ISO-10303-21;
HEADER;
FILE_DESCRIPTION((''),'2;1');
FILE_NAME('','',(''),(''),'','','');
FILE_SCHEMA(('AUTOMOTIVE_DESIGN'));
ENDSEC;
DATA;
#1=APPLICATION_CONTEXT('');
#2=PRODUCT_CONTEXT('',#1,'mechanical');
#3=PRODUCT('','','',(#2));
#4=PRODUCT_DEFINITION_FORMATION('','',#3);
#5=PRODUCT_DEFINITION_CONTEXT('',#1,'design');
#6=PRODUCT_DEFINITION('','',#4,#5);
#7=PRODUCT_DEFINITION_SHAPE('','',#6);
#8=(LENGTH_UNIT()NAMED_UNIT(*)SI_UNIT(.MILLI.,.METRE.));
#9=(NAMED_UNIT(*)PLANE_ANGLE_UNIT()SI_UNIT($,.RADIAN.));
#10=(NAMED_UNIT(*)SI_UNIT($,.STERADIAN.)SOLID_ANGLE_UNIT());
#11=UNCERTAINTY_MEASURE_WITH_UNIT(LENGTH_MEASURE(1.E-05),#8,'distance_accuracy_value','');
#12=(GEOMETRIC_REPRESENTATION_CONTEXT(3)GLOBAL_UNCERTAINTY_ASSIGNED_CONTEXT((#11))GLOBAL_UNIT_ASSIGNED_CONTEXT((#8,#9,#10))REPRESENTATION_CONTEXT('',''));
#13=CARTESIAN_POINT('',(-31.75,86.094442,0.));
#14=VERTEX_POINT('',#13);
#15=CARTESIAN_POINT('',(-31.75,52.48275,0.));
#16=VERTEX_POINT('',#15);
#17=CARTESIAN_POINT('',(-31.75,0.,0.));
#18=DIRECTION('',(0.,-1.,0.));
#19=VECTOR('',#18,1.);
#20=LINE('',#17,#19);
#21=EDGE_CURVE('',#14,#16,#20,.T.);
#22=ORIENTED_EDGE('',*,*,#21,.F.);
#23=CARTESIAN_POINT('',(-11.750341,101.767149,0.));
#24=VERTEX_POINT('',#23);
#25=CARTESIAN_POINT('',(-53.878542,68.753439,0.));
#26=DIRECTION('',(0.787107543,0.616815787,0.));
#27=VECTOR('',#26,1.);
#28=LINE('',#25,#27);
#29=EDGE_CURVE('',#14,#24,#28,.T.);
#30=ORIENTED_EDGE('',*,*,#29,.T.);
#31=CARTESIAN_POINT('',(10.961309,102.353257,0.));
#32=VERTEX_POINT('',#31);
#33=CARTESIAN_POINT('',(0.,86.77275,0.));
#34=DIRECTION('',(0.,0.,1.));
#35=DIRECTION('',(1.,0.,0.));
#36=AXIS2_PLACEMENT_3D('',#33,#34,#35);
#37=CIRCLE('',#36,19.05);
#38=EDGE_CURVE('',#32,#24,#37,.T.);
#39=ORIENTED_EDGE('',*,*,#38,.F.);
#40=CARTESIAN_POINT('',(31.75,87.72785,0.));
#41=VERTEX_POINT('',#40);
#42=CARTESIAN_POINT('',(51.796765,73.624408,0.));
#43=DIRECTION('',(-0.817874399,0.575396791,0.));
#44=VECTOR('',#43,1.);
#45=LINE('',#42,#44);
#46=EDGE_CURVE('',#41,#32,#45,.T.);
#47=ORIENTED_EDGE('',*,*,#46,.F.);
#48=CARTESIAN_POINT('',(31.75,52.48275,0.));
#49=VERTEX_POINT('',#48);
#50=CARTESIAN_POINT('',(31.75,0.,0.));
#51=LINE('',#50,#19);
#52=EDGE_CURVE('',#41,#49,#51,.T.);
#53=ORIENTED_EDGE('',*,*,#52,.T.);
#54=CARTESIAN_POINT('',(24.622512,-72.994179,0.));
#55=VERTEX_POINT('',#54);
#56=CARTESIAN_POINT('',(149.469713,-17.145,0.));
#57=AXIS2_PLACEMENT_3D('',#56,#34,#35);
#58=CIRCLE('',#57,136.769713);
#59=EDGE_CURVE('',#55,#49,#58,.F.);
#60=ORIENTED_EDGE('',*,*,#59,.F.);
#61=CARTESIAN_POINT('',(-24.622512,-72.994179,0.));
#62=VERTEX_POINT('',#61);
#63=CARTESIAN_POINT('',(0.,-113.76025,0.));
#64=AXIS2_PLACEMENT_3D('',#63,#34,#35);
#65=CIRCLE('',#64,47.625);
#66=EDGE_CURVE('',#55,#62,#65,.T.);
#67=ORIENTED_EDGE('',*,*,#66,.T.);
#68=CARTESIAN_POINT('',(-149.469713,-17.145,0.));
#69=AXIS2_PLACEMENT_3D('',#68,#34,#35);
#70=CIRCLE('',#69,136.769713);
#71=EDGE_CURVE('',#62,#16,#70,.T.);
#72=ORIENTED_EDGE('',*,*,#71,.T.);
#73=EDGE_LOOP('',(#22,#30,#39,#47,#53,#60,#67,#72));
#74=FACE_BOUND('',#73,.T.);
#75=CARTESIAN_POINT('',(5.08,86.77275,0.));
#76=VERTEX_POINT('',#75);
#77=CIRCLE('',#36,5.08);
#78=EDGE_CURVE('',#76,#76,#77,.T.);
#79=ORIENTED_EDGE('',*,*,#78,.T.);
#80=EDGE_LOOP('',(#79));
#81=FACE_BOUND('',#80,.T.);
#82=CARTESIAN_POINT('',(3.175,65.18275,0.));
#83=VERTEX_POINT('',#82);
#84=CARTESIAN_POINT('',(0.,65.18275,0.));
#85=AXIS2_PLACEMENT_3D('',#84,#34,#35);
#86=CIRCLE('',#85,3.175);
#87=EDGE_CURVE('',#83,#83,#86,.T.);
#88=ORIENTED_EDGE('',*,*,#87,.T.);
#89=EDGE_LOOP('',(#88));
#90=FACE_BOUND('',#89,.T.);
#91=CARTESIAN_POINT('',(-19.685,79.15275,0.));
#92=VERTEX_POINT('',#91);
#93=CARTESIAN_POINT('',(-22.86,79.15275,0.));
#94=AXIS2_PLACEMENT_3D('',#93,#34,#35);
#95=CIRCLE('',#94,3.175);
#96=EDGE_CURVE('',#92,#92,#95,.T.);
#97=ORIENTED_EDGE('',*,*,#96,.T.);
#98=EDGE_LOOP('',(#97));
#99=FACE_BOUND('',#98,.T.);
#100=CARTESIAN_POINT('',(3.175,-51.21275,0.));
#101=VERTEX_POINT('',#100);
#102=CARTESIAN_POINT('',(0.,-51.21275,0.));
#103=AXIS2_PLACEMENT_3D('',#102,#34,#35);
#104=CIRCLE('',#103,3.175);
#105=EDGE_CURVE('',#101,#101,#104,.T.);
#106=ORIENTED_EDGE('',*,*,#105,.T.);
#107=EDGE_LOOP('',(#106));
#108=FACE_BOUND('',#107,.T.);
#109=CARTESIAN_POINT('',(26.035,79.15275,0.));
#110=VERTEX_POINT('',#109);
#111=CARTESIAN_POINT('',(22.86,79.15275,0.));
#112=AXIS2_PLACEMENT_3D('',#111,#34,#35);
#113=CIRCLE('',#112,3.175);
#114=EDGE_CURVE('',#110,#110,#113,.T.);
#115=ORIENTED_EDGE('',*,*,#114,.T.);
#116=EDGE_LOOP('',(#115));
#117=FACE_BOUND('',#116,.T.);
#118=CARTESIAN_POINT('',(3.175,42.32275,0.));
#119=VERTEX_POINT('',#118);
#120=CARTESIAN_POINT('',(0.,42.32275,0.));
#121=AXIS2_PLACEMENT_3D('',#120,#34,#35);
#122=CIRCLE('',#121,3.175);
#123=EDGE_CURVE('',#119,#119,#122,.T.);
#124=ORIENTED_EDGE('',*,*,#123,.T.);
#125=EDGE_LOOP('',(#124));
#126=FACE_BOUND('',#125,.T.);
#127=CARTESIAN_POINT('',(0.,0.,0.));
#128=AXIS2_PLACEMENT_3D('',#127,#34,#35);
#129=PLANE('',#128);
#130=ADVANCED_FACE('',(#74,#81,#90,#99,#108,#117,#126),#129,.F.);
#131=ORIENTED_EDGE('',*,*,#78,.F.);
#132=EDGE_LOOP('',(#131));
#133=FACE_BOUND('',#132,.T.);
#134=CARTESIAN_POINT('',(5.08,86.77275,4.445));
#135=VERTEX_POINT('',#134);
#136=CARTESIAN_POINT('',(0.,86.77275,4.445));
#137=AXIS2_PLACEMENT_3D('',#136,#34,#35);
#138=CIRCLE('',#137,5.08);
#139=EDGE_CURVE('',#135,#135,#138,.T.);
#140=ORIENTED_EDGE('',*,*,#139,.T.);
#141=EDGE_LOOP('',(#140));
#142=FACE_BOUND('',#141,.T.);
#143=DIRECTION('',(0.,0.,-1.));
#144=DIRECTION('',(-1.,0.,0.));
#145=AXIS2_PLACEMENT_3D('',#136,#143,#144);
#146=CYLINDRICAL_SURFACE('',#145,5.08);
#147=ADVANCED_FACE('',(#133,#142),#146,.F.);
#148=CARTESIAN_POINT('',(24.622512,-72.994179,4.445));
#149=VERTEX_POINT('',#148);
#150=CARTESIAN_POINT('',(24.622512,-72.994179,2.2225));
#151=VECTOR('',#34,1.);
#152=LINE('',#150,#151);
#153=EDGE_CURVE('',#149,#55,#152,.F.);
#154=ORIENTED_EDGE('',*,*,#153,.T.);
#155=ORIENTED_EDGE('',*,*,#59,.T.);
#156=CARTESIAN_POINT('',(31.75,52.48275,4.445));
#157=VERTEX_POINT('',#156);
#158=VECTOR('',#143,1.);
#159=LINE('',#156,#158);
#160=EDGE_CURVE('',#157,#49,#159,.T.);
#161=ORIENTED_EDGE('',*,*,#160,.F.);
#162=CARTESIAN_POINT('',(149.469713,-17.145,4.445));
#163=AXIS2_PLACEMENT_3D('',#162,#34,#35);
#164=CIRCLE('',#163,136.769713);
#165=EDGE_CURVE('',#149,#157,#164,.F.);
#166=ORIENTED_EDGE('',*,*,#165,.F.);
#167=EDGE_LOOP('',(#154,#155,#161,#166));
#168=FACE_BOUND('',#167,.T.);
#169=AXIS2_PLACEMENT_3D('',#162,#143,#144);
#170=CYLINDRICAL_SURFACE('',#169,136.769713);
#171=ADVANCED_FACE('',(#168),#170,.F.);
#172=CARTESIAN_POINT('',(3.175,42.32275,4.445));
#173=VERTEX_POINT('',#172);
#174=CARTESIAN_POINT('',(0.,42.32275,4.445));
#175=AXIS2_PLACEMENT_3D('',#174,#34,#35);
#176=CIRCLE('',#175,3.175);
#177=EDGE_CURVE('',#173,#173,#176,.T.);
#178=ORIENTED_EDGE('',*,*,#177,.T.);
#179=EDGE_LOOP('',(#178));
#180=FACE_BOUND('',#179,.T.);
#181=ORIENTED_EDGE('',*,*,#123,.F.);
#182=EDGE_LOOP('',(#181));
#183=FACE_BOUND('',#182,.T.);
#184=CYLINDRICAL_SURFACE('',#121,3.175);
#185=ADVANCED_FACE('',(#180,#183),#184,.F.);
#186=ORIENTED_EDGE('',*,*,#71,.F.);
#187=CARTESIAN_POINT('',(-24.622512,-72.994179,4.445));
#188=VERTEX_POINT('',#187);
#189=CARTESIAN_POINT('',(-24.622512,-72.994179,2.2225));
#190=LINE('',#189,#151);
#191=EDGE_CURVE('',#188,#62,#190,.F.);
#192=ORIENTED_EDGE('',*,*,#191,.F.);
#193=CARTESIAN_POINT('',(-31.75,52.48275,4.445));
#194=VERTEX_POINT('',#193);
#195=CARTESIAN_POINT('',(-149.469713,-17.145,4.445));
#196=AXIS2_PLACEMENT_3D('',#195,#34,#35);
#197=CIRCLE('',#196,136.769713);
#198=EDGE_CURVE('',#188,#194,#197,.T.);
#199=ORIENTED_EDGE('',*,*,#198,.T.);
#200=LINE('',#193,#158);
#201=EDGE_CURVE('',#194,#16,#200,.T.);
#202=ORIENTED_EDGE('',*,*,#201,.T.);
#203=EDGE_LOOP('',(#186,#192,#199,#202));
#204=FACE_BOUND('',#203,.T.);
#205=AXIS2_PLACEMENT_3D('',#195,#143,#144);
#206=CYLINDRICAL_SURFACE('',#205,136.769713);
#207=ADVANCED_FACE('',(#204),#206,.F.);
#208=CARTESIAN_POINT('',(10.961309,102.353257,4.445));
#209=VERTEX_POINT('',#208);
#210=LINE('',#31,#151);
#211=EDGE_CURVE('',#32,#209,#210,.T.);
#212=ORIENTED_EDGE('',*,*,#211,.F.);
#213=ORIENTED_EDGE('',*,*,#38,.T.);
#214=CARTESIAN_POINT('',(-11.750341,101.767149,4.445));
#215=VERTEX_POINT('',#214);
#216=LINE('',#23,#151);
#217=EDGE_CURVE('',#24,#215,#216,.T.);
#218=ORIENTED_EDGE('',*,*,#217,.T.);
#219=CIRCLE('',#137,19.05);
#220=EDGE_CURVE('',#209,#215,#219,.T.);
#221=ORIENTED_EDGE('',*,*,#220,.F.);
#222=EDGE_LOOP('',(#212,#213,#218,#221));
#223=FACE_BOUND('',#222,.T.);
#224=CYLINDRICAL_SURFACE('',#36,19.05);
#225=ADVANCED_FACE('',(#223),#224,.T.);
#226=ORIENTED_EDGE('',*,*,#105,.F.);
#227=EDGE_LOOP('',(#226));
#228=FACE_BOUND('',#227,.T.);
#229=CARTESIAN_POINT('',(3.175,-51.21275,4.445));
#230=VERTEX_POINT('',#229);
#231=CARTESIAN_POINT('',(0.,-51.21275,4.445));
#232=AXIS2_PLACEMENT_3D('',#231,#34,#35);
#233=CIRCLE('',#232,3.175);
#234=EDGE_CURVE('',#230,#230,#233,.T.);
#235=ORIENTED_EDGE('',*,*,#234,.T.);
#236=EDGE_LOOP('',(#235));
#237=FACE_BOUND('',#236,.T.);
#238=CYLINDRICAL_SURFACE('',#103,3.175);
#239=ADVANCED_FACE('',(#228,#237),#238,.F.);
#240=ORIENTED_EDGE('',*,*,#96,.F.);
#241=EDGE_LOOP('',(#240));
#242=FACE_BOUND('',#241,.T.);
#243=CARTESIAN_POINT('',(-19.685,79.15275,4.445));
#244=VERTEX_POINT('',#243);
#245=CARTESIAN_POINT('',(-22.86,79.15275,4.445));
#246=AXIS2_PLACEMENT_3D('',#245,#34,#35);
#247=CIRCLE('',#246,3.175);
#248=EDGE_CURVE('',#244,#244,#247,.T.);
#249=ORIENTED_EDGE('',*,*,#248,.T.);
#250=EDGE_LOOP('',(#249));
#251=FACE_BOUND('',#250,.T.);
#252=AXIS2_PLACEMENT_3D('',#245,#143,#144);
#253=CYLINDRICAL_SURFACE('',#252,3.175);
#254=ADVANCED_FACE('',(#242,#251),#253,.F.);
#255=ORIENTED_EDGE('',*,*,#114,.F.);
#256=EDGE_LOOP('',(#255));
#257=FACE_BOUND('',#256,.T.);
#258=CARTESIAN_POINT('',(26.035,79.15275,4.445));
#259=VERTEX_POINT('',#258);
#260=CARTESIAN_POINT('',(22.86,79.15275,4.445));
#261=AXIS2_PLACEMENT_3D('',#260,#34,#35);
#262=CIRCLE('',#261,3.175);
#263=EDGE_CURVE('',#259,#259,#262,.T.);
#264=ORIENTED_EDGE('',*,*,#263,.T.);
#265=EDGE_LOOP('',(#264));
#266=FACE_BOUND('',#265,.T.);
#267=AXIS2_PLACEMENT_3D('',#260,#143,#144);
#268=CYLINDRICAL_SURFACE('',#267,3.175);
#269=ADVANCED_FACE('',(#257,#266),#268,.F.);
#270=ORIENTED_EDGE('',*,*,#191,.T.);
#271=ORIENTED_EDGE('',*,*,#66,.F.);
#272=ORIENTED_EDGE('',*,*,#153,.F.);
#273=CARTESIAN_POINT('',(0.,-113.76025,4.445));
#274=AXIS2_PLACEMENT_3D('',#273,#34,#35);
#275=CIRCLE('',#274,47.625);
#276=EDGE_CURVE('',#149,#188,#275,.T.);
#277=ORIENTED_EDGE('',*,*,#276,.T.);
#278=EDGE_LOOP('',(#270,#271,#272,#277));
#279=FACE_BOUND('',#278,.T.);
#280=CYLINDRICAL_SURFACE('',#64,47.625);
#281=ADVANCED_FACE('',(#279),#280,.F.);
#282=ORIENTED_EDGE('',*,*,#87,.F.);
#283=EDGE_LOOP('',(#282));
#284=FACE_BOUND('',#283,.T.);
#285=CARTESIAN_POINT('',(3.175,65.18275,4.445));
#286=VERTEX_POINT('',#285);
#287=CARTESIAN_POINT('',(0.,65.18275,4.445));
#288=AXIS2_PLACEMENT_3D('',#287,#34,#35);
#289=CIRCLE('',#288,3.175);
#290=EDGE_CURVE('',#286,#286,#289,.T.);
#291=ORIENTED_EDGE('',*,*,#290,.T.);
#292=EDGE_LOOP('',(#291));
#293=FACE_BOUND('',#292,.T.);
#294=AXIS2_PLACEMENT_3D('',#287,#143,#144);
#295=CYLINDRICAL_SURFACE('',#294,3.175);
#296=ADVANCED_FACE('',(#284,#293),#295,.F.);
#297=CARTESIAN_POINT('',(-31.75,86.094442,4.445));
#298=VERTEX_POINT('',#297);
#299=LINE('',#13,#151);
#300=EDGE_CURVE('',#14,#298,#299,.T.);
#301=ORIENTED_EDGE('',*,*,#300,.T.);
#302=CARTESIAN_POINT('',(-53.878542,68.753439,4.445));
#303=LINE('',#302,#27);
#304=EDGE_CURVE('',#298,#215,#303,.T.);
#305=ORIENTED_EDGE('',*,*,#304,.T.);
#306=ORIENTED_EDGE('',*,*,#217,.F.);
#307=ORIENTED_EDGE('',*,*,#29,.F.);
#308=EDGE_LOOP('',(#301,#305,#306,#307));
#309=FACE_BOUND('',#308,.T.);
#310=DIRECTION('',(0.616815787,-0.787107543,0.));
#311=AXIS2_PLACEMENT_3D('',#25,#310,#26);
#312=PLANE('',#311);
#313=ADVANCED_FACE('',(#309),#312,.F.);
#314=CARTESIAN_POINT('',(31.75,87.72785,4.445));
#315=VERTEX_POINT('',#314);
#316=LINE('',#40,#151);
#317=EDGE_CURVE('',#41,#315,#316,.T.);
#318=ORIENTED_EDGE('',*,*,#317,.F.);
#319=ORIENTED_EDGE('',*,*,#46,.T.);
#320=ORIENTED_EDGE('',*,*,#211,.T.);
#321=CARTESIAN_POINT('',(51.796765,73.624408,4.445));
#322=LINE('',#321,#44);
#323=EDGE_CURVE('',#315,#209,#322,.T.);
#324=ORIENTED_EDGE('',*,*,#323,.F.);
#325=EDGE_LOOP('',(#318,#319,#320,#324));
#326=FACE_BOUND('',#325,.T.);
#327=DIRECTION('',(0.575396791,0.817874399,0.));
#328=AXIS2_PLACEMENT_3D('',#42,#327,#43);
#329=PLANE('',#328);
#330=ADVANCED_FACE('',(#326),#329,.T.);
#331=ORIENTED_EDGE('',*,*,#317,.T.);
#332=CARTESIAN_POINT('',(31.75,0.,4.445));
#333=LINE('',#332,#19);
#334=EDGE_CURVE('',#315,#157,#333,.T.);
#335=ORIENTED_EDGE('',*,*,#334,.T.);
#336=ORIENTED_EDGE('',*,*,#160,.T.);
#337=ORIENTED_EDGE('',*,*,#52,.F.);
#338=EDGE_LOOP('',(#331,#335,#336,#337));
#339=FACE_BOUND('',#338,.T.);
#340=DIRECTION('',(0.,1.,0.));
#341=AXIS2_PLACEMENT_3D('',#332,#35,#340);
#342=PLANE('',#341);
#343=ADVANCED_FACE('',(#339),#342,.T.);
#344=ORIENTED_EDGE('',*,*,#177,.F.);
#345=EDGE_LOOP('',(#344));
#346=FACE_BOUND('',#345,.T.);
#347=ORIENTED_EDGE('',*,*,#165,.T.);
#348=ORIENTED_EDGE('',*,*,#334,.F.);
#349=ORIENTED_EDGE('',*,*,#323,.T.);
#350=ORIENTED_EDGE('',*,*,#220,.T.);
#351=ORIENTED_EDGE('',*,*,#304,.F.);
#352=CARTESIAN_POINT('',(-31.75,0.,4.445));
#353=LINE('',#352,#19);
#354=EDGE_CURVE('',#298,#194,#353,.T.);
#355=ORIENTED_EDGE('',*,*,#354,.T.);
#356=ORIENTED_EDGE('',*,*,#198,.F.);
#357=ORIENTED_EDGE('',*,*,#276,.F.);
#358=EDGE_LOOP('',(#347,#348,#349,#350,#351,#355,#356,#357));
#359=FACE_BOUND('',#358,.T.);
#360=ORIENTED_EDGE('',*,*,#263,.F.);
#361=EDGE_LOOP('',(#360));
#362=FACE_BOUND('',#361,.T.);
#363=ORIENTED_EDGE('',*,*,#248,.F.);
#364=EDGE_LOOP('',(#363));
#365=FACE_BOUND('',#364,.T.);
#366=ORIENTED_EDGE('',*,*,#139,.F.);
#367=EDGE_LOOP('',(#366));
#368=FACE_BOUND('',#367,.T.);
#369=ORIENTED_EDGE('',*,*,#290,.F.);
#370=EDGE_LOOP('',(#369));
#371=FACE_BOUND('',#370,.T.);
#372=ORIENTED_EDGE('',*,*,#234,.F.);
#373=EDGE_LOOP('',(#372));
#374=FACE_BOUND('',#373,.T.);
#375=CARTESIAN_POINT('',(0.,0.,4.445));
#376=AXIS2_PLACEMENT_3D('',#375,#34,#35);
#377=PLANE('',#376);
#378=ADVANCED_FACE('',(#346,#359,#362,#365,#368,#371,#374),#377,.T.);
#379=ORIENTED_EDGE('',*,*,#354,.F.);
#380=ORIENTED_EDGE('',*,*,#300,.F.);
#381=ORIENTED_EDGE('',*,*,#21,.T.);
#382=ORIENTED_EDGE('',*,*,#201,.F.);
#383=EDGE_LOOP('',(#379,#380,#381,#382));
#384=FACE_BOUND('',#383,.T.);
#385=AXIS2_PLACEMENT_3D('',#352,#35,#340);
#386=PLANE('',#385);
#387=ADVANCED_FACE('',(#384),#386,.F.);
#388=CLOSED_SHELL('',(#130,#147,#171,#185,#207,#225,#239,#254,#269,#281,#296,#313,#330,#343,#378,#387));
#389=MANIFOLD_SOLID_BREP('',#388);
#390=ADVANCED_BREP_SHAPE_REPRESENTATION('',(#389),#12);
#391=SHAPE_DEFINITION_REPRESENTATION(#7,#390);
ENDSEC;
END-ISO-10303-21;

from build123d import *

# Parameters (mm, degrees)
SKETCH2_R           = 6.35
SKETCH2_R_2         = 3.175
SKETCH2_R_3         = 5.08
BOSS_EXTRUDE1_DEPTH = 4.445
SKETCH4_R           = 3.175
CUT_EXTRUDE2_DEPTH  = 148.450257689
SKETCH6_R           = 47.625
CUT_EXTRUDE3_DEPTH  = 148.450257689
CUT_EXTRUDE4_DEPTH  = 117.664246312


with BuildPart() as part:
    # Sketch2 → Boss-Extrude1 (new body)
    with BuildSketch(Plane.XY):
        with BuildLine():
            Line((31.75, 112.17275), (-31.75, 112.17275))
            Line((-31.75, 112.17275), (-31.75, 52.48275))
            ThreePointArc((-31.75, 52.48275), (-12.7, -17.145), (-31.75, -86.77275))
            Line((-31.75, -86.77275), (-31.75, -112.17275))
            ThreePointArc((-31.75, -112.17275), (0, -143.92275), (31.75, -112.17275))
            Line((31.75, -112.17275), (31.75, -86.77275))
            ThreePointArc((31.75, -86.77275), (12.7, -17.145), (31.75, 52.48275))
            Line((31.75, 52.48275), (31.75, 112.17275))
        make_face()
        with Locations((0, -112.17275)):
            Circle(SKETCH2_R, mode=Mode.SUBTRACT)
        with Locations((-22.86, 79.15275)):
            Circle(SKETCH2_R_2, mode=Mode.SUBTRACT)
        with Locations((0, 65.18275)):
            Circle(SKETCH2_R_2, mode=Mode.SUBTRACT)
        with Locations((0, 86.77275)):
            Circle(SKETCH2_R_3, mode=Mode.SUBTRACT)
        with Locations((22.86, 79.15275)):
            Circle(SKETCH2_R_2, mode=Mode.SUBTRACT)
    extrude(amount=BOSS_EXTRUDE1_DEPTH)

    # Sketch4 → Cut-Extrude2 (cut, through all)
    with BuildSketch(Plane.XY.offset(4.445)):
        with Locations((0, 42.32275)):
            Circle(SKETCH4_R)
        with Locations((0, -51.21275)):
            Circle(SKETCH4_R)
    extrude(amount=-CUT_EXTRUDE2_DEPTH, mode=Mode.SUBTRACT)

    # Sketch6 → Cut-Extrude3 (cut, through all)
    with BuildSketch(Plane.XY.offset(4.445)):
        with Locations((0, -113.76025)):
            Circle(SKETCH6_R)
    extrude(amount=-CUT_EXTRUDE3_DEPTH, mode=Mode.SUBTRACT)

    # Sketch10 → Cut-Extrude4 (cut, through all)
    with BuildSketch(Plane.XY.offset(4.445)):
        with BuildLine():
            Line((-31.75, 112.17275), (-31.75, 86.094442115))
            Line((-31.75, 86.094442115), (-11.750340751, 101.767148695))
            ThreePointArc((-11.750340751, 101.767148695), (-0.491450562, 105.816409741), (10.961308866, 102.353257307))
            Line((10.961308866, 102.353257307), (31.75, 87.727850063))
            Line((31.75, 87.727850063), (31.75, 112.17275))
            Line((31.75, 112.17275), (-31.75, 112.17275))
        make_face()
    extrude(amount=-CUT_EXTRUDE4_DEPTH, mode=Mode.SUBTRACT)


solid = part.part
